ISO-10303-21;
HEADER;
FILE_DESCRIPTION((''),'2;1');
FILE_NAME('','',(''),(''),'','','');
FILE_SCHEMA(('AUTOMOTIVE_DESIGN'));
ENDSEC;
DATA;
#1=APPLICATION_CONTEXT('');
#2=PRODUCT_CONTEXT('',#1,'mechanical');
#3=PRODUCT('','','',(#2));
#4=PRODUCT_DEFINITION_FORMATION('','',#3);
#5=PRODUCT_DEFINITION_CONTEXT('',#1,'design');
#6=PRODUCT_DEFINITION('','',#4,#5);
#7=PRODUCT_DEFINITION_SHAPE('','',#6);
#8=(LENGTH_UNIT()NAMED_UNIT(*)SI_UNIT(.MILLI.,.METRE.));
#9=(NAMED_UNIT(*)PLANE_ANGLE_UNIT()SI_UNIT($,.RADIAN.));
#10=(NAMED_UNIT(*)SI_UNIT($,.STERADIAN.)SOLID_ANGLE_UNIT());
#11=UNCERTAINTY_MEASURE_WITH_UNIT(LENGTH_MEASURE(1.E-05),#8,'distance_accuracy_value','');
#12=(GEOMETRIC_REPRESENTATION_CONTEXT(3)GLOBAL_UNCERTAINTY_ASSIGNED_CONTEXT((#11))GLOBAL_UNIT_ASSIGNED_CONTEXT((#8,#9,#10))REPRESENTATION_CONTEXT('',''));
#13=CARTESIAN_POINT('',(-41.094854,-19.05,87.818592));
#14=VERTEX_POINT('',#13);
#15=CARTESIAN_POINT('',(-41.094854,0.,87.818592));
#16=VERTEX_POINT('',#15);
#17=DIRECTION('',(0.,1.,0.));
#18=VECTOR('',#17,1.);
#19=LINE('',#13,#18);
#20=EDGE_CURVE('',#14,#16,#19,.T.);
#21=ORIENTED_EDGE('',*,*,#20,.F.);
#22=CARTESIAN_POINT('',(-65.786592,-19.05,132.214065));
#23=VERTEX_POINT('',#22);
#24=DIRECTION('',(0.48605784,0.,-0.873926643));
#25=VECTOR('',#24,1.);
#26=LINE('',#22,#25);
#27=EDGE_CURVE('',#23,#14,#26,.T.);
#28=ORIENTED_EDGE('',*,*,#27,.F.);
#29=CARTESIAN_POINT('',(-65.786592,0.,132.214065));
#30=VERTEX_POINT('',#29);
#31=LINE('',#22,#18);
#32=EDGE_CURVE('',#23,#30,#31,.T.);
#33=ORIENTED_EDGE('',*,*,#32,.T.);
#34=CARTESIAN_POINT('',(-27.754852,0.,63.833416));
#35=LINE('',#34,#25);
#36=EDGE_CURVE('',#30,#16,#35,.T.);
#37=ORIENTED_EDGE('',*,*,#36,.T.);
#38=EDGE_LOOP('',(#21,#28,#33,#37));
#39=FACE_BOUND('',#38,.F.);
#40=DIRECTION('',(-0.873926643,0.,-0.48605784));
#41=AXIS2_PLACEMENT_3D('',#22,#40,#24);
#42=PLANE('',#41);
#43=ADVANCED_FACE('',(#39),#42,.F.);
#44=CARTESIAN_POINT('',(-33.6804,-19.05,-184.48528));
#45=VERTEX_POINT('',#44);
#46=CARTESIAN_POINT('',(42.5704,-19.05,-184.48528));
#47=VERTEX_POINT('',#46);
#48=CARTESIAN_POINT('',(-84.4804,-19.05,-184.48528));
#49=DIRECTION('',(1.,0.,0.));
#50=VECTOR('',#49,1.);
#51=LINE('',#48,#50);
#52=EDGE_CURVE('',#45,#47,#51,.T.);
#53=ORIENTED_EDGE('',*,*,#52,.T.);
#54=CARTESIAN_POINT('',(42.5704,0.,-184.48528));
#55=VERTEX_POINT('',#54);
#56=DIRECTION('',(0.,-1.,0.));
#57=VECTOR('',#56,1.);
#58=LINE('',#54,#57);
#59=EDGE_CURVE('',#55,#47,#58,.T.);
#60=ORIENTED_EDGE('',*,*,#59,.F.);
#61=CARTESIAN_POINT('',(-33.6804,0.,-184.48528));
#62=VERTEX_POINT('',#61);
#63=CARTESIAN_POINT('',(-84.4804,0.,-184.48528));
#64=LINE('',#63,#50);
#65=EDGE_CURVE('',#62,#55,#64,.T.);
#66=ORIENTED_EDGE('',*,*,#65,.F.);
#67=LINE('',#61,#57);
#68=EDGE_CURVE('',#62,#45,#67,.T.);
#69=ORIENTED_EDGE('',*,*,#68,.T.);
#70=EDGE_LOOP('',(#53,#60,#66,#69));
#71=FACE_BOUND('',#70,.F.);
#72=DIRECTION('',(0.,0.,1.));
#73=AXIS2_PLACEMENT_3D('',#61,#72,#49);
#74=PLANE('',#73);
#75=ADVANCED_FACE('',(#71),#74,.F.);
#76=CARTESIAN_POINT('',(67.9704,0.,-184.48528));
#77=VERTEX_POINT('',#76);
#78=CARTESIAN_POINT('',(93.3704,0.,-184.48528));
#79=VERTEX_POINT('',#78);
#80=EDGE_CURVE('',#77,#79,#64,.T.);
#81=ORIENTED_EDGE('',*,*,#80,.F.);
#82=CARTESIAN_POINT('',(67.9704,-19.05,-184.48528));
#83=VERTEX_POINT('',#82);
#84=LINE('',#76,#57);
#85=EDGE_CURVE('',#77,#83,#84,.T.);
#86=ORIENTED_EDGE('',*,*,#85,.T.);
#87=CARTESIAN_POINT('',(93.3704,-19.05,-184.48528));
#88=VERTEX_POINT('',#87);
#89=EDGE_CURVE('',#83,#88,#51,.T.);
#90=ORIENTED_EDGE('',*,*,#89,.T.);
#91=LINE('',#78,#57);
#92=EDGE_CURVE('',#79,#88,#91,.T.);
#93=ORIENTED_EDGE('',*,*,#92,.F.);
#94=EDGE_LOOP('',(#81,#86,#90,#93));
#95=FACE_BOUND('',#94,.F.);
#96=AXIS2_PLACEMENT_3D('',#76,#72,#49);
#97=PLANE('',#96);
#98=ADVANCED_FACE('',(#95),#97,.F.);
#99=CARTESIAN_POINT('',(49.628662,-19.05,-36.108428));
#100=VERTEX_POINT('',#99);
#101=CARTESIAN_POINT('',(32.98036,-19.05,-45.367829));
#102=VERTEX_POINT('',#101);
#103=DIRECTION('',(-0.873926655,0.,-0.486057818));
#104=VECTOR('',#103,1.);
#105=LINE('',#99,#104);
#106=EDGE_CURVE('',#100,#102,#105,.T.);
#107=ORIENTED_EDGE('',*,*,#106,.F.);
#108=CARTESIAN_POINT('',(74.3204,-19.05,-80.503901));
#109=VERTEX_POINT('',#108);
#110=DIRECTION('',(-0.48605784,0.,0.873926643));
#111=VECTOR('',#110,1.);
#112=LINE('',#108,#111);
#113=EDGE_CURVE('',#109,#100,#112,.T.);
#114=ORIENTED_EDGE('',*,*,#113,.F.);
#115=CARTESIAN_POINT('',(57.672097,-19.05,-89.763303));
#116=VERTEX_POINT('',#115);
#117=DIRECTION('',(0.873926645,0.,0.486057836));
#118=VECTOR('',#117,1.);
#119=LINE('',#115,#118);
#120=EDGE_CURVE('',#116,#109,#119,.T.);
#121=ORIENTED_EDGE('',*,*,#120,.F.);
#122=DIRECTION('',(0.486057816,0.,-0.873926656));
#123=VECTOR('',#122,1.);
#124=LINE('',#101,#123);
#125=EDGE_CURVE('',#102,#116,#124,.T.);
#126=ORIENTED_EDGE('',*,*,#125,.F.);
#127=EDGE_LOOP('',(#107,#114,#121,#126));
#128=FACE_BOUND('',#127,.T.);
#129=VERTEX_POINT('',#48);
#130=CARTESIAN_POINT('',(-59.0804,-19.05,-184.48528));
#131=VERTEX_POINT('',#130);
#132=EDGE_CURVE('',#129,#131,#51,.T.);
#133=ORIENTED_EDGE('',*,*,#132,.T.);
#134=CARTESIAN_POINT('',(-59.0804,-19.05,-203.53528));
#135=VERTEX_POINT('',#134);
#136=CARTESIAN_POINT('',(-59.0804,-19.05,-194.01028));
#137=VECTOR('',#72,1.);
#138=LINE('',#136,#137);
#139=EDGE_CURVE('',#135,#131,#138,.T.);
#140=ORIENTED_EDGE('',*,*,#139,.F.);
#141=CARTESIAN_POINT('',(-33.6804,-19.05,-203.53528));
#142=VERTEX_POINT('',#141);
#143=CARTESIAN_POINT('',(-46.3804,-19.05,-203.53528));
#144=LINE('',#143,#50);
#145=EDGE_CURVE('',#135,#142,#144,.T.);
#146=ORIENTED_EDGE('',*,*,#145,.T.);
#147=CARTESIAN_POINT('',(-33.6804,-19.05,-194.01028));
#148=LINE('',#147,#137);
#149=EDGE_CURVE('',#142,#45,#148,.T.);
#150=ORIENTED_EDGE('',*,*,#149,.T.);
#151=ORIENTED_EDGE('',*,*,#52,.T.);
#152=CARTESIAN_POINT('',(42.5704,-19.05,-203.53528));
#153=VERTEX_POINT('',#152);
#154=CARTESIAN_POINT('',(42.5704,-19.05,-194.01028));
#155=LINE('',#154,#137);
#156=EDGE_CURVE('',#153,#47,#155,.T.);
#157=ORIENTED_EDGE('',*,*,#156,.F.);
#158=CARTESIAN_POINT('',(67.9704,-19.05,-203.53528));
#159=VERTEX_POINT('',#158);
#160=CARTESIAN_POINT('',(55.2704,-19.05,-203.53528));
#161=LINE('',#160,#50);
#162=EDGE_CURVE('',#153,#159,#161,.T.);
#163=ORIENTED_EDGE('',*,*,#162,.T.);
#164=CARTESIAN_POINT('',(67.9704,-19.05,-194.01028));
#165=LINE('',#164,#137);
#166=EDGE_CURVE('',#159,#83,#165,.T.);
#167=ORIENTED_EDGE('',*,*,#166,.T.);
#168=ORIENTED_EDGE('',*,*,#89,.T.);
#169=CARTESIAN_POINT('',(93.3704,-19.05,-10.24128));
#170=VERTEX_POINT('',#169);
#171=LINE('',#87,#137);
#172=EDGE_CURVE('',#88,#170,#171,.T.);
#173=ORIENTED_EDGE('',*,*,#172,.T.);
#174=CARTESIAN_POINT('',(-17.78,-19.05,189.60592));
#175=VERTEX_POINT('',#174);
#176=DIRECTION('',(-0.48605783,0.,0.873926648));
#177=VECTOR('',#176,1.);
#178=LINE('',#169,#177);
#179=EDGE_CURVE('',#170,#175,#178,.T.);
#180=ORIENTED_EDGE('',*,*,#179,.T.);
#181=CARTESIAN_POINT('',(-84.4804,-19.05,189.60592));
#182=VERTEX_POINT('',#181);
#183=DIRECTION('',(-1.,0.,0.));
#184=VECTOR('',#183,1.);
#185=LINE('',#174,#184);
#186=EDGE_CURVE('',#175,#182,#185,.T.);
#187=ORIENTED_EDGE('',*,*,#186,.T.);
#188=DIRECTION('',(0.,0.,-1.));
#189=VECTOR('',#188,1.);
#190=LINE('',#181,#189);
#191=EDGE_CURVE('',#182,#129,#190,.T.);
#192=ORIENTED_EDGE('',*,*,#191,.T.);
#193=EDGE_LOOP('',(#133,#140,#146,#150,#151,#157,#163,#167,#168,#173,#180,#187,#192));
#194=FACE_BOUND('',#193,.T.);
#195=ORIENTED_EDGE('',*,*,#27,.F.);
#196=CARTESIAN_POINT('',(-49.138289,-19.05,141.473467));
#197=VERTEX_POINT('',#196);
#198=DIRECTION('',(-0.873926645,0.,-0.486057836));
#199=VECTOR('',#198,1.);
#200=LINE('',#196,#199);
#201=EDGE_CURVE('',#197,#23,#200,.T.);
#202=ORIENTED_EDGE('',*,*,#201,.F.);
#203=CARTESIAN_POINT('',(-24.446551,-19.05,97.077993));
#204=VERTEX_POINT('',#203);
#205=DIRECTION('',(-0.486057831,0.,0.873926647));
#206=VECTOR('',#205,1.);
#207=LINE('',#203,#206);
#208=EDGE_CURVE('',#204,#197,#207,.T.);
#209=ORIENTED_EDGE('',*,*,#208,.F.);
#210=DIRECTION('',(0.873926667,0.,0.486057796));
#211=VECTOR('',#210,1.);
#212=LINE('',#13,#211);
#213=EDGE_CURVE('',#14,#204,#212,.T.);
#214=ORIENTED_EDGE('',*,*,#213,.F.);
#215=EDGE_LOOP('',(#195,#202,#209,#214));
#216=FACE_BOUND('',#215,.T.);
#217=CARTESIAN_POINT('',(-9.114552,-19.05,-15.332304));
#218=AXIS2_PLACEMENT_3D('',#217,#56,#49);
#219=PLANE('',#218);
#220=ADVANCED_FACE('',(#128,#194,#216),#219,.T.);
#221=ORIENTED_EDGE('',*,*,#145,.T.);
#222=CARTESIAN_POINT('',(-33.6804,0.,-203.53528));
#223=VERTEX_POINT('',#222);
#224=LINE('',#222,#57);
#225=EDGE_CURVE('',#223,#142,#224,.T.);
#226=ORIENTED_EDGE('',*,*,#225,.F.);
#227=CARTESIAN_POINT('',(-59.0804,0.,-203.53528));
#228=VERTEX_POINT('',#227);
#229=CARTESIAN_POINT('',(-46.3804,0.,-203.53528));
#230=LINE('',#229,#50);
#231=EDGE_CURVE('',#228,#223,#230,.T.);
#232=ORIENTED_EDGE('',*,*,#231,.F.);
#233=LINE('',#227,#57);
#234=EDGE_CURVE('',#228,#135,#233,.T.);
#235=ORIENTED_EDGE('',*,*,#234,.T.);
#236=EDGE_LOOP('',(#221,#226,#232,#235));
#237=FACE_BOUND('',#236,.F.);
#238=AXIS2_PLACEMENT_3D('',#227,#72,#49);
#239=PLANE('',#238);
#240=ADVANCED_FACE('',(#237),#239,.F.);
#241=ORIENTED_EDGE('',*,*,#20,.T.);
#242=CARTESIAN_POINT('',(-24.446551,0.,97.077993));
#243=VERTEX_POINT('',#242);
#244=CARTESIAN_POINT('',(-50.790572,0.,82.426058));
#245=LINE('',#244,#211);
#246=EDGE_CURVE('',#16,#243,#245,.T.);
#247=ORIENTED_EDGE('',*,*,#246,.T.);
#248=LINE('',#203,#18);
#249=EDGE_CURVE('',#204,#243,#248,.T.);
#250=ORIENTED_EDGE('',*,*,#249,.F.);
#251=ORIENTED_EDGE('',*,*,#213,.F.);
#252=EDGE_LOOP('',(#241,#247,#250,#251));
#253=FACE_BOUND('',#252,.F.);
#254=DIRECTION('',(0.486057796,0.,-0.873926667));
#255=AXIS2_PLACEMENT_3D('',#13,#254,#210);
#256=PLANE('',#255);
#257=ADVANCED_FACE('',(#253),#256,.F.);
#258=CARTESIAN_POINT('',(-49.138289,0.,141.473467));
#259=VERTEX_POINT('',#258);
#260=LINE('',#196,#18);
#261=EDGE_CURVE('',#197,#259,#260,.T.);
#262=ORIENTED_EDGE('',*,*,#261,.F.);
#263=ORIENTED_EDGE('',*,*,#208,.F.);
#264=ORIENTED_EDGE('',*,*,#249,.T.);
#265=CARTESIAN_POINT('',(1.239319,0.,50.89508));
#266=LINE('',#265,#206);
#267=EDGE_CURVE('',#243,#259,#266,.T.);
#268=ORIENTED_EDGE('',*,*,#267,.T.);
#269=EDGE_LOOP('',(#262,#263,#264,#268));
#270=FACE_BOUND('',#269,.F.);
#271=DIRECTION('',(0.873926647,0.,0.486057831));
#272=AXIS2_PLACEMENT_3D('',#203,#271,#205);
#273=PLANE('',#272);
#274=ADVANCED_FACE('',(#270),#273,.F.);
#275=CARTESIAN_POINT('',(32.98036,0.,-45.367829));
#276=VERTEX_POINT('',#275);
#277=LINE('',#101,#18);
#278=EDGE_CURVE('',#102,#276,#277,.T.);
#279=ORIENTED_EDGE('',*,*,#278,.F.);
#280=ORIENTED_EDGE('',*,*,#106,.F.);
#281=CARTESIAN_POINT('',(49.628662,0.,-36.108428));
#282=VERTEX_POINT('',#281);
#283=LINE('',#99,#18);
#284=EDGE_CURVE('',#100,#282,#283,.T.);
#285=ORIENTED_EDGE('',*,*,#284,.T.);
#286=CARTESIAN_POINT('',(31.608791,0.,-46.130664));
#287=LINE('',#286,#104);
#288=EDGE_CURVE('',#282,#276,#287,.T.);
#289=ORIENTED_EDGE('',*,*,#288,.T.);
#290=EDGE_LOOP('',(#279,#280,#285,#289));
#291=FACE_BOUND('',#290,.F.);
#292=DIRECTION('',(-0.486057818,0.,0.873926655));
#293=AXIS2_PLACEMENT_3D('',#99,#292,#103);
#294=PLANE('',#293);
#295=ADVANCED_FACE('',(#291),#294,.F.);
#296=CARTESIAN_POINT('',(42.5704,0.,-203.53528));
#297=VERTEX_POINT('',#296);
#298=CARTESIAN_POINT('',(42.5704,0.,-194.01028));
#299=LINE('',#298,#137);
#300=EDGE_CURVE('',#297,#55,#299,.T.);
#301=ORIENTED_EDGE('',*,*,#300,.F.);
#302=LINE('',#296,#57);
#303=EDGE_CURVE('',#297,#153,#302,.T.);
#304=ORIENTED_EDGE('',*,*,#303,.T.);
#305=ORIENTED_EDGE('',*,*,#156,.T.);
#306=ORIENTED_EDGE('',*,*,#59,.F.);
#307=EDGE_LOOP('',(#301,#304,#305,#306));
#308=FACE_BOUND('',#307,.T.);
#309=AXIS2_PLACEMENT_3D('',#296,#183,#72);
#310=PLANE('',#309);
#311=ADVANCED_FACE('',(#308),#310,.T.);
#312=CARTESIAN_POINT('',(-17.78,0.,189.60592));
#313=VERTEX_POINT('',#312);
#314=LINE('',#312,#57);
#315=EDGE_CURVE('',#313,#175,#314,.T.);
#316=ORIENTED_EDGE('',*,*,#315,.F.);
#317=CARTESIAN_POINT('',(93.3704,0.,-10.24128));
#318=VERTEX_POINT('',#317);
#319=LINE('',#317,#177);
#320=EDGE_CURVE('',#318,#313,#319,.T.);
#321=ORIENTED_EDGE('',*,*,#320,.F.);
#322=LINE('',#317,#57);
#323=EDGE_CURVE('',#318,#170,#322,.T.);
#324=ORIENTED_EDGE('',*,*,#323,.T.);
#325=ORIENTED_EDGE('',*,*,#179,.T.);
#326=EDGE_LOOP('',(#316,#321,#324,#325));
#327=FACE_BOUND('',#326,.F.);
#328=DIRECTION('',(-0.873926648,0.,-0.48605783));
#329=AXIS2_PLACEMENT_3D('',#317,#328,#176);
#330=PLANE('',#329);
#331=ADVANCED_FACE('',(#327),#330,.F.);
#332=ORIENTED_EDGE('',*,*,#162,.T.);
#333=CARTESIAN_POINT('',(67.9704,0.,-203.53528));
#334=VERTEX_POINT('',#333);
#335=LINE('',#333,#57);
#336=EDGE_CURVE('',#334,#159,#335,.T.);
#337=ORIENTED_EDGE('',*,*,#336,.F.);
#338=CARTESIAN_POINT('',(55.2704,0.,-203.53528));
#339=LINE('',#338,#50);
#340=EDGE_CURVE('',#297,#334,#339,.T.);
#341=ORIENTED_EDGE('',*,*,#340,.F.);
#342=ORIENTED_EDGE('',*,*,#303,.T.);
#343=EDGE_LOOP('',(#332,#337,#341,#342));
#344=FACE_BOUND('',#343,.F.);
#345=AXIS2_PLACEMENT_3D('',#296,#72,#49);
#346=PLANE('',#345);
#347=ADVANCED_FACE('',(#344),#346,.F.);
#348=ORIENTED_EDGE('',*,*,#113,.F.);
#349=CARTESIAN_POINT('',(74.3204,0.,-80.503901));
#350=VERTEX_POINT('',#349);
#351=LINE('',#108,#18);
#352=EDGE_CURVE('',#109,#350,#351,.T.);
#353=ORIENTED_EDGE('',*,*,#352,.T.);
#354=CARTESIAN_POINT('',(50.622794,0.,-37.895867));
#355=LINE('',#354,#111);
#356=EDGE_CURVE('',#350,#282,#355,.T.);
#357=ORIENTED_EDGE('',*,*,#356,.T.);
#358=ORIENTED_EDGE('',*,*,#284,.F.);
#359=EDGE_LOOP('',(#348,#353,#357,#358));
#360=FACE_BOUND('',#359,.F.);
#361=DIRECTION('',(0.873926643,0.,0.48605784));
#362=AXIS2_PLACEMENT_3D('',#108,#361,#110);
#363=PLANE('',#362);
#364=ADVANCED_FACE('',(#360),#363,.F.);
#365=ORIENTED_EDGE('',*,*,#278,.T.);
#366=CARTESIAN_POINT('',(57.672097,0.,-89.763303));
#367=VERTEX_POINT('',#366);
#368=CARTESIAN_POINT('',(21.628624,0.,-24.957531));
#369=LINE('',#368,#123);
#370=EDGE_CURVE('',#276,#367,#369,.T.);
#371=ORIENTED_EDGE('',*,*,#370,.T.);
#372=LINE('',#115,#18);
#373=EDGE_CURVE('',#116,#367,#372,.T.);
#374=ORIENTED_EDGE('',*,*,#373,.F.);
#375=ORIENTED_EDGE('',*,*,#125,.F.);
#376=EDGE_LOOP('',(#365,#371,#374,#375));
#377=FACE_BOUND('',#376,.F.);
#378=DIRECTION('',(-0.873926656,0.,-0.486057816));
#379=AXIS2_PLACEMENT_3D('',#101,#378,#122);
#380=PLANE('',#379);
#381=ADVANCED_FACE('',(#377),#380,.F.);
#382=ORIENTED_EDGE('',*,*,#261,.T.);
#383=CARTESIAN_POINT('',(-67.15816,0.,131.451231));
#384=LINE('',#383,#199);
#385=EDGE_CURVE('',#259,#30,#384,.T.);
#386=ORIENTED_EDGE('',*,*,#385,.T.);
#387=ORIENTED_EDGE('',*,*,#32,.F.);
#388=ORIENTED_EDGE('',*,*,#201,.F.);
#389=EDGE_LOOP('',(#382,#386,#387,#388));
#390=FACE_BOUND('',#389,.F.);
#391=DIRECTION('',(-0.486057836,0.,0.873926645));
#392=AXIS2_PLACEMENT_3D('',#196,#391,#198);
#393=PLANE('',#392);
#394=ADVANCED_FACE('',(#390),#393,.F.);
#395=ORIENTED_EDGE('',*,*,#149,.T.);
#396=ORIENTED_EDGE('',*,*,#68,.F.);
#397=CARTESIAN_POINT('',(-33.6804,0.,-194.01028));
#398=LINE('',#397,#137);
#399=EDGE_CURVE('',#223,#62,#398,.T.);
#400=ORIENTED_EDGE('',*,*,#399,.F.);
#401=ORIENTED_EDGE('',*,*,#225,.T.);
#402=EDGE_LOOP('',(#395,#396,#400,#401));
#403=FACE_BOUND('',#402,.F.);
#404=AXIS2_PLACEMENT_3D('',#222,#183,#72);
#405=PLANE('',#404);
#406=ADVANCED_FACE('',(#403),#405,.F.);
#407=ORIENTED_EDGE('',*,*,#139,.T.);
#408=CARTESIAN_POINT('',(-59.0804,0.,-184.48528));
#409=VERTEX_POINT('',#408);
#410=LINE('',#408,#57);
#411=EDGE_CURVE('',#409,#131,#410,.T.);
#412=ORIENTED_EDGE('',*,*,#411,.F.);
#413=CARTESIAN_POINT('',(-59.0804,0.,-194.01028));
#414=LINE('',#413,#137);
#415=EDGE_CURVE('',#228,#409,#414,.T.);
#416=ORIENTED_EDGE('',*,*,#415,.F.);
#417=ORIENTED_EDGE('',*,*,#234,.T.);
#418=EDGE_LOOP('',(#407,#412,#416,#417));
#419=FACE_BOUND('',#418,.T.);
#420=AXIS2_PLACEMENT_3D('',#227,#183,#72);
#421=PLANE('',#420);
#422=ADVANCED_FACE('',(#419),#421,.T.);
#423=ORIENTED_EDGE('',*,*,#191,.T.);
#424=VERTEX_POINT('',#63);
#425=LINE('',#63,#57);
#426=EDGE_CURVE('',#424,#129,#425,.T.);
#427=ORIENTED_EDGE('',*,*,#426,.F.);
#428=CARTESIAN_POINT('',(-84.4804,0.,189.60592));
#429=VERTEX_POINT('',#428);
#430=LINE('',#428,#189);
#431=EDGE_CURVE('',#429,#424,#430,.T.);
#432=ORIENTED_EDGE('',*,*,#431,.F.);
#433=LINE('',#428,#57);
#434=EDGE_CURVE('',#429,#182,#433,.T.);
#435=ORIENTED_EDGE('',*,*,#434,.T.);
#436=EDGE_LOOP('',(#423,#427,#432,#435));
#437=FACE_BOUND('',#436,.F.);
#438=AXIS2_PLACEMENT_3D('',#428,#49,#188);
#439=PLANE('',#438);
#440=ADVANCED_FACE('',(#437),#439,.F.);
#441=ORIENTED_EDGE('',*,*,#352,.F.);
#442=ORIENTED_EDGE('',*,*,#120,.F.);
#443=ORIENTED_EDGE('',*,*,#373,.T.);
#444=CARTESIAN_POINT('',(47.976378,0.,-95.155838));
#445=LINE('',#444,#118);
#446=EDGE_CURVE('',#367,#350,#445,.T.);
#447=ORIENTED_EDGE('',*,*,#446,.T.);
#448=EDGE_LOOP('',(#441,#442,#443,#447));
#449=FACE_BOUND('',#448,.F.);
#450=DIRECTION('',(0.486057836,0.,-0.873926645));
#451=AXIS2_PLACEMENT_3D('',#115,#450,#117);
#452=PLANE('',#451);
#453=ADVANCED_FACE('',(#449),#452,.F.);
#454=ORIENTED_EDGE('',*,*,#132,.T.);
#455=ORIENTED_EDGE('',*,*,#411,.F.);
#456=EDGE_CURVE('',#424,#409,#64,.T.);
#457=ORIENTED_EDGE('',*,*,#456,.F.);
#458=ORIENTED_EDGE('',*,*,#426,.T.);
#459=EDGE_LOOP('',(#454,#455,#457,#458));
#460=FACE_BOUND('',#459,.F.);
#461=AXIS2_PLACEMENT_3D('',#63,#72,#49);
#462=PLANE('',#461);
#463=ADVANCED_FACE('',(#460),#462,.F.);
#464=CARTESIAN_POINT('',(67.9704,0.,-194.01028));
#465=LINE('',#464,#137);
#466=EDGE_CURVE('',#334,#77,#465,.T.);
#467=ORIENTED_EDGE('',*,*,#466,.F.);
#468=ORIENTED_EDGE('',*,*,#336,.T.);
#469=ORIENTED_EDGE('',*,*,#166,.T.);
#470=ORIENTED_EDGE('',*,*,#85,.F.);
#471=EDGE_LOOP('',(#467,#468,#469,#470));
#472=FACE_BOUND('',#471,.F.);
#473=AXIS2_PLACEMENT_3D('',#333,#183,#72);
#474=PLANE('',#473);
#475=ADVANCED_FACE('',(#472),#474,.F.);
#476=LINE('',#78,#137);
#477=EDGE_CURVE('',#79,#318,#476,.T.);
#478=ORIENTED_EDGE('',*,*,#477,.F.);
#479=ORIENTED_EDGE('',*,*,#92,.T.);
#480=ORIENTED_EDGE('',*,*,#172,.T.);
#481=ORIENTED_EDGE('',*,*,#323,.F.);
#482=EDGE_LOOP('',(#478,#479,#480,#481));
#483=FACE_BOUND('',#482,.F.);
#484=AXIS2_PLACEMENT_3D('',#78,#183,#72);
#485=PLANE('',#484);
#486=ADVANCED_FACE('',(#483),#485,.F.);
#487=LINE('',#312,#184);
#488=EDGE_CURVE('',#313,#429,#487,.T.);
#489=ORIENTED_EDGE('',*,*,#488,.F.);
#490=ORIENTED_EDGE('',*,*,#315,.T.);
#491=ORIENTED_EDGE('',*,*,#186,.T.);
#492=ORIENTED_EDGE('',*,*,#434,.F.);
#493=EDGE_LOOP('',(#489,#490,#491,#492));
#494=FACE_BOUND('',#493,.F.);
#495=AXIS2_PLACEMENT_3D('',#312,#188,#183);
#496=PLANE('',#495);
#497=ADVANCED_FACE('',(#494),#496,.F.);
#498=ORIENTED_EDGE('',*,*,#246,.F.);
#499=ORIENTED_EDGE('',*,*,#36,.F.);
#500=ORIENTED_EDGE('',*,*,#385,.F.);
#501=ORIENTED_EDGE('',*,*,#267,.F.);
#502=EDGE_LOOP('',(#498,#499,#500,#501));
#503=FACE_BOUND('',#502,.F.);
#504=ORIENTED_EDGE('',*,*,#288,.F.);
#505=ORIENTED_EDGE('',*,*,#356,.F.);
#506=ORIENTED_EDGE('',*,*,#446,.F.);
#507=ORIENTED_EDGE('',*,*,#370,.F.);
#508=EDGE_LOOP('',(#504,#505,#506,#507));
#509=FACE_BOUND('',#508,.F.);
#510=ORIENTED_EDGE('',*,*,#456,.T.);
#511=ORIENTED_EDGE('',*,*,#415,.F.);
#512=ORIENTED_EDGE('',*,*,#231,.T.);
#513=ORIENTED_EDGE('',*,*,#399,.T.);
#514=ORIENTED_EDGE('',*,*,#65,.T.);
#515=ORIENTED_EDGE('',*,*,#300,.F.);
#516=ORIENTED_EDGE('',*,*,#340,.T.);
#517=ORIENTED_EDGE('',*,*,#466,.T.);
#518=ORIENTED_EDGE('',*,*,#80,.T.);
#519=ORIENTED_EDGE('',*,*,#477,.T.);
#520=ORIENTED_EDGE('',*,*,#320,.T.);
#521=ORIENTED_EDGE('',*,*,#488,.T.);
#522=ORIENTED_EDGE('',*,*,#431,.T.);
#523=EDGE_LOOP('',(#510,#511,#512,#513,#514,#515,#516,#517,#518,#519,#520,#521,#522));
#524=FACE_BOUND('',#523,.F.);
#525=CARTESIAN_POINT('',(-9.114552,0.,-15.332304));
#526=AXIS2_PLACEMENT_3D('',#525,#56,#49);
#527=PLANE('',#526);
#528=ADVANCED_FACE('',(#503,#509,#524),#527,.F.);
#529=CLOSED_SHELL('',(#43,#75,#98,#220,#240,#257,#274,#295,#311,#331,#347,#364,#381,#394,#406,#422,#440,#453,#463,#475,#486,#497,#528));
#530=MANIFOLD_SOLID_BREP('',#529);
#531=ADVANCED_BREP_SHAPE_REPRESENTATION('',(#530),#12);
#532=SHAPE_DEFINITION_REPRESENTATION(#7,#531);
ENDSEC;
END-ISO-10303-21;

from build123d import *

# Parameters (mm, degrees)
F0_W     = 25.4
F0_H     = 19.05
F1_DEPTH = 19.05
F3_DEPTH = 19.051


with BuildPart() as f1:
    # F0 (on Front) → F1 (new body)
    with BuildSketch(Plane.XZ):
        Polygon((93.3704, -10.24128), (-17.78, 189.60592), (-84.4804, 189.60592), (-84.4804, -184.48528), (-59.0804, -184.48528), (-33.6804, -184.48528), (42.5704, -184.48528), (67.9704, -184.48528), (93.3704, -184.48528), align=None)
        with Locations((55.2704, -194.01028)):
            Rectangle(F0_W, F0_H)
        with Locations((-46.3804, -194.01028)):
            Rectangle(F0_W, F0_H)
    extrude(amount=F1_DEPTH)

    # F2 (on face) → F3 (cut, through all)
    with BuildSketch(Plane.XZ.offset(19.05)):
        Polygon((-24.446551, 97.077993), (-49.138289, 141.473467), (-65.786592, 132.214065), (-41.094854, 87.818592), align=None)
        Polygon((49.628662, -36.108428), (32.98036, -45.367829), (57.672097, -89.763303), (74.3204, -80.503901), align=None)
    extrude(amount=-F3_DEPTH, mode=Mode.SUBTRACT)


solid = f1.part
